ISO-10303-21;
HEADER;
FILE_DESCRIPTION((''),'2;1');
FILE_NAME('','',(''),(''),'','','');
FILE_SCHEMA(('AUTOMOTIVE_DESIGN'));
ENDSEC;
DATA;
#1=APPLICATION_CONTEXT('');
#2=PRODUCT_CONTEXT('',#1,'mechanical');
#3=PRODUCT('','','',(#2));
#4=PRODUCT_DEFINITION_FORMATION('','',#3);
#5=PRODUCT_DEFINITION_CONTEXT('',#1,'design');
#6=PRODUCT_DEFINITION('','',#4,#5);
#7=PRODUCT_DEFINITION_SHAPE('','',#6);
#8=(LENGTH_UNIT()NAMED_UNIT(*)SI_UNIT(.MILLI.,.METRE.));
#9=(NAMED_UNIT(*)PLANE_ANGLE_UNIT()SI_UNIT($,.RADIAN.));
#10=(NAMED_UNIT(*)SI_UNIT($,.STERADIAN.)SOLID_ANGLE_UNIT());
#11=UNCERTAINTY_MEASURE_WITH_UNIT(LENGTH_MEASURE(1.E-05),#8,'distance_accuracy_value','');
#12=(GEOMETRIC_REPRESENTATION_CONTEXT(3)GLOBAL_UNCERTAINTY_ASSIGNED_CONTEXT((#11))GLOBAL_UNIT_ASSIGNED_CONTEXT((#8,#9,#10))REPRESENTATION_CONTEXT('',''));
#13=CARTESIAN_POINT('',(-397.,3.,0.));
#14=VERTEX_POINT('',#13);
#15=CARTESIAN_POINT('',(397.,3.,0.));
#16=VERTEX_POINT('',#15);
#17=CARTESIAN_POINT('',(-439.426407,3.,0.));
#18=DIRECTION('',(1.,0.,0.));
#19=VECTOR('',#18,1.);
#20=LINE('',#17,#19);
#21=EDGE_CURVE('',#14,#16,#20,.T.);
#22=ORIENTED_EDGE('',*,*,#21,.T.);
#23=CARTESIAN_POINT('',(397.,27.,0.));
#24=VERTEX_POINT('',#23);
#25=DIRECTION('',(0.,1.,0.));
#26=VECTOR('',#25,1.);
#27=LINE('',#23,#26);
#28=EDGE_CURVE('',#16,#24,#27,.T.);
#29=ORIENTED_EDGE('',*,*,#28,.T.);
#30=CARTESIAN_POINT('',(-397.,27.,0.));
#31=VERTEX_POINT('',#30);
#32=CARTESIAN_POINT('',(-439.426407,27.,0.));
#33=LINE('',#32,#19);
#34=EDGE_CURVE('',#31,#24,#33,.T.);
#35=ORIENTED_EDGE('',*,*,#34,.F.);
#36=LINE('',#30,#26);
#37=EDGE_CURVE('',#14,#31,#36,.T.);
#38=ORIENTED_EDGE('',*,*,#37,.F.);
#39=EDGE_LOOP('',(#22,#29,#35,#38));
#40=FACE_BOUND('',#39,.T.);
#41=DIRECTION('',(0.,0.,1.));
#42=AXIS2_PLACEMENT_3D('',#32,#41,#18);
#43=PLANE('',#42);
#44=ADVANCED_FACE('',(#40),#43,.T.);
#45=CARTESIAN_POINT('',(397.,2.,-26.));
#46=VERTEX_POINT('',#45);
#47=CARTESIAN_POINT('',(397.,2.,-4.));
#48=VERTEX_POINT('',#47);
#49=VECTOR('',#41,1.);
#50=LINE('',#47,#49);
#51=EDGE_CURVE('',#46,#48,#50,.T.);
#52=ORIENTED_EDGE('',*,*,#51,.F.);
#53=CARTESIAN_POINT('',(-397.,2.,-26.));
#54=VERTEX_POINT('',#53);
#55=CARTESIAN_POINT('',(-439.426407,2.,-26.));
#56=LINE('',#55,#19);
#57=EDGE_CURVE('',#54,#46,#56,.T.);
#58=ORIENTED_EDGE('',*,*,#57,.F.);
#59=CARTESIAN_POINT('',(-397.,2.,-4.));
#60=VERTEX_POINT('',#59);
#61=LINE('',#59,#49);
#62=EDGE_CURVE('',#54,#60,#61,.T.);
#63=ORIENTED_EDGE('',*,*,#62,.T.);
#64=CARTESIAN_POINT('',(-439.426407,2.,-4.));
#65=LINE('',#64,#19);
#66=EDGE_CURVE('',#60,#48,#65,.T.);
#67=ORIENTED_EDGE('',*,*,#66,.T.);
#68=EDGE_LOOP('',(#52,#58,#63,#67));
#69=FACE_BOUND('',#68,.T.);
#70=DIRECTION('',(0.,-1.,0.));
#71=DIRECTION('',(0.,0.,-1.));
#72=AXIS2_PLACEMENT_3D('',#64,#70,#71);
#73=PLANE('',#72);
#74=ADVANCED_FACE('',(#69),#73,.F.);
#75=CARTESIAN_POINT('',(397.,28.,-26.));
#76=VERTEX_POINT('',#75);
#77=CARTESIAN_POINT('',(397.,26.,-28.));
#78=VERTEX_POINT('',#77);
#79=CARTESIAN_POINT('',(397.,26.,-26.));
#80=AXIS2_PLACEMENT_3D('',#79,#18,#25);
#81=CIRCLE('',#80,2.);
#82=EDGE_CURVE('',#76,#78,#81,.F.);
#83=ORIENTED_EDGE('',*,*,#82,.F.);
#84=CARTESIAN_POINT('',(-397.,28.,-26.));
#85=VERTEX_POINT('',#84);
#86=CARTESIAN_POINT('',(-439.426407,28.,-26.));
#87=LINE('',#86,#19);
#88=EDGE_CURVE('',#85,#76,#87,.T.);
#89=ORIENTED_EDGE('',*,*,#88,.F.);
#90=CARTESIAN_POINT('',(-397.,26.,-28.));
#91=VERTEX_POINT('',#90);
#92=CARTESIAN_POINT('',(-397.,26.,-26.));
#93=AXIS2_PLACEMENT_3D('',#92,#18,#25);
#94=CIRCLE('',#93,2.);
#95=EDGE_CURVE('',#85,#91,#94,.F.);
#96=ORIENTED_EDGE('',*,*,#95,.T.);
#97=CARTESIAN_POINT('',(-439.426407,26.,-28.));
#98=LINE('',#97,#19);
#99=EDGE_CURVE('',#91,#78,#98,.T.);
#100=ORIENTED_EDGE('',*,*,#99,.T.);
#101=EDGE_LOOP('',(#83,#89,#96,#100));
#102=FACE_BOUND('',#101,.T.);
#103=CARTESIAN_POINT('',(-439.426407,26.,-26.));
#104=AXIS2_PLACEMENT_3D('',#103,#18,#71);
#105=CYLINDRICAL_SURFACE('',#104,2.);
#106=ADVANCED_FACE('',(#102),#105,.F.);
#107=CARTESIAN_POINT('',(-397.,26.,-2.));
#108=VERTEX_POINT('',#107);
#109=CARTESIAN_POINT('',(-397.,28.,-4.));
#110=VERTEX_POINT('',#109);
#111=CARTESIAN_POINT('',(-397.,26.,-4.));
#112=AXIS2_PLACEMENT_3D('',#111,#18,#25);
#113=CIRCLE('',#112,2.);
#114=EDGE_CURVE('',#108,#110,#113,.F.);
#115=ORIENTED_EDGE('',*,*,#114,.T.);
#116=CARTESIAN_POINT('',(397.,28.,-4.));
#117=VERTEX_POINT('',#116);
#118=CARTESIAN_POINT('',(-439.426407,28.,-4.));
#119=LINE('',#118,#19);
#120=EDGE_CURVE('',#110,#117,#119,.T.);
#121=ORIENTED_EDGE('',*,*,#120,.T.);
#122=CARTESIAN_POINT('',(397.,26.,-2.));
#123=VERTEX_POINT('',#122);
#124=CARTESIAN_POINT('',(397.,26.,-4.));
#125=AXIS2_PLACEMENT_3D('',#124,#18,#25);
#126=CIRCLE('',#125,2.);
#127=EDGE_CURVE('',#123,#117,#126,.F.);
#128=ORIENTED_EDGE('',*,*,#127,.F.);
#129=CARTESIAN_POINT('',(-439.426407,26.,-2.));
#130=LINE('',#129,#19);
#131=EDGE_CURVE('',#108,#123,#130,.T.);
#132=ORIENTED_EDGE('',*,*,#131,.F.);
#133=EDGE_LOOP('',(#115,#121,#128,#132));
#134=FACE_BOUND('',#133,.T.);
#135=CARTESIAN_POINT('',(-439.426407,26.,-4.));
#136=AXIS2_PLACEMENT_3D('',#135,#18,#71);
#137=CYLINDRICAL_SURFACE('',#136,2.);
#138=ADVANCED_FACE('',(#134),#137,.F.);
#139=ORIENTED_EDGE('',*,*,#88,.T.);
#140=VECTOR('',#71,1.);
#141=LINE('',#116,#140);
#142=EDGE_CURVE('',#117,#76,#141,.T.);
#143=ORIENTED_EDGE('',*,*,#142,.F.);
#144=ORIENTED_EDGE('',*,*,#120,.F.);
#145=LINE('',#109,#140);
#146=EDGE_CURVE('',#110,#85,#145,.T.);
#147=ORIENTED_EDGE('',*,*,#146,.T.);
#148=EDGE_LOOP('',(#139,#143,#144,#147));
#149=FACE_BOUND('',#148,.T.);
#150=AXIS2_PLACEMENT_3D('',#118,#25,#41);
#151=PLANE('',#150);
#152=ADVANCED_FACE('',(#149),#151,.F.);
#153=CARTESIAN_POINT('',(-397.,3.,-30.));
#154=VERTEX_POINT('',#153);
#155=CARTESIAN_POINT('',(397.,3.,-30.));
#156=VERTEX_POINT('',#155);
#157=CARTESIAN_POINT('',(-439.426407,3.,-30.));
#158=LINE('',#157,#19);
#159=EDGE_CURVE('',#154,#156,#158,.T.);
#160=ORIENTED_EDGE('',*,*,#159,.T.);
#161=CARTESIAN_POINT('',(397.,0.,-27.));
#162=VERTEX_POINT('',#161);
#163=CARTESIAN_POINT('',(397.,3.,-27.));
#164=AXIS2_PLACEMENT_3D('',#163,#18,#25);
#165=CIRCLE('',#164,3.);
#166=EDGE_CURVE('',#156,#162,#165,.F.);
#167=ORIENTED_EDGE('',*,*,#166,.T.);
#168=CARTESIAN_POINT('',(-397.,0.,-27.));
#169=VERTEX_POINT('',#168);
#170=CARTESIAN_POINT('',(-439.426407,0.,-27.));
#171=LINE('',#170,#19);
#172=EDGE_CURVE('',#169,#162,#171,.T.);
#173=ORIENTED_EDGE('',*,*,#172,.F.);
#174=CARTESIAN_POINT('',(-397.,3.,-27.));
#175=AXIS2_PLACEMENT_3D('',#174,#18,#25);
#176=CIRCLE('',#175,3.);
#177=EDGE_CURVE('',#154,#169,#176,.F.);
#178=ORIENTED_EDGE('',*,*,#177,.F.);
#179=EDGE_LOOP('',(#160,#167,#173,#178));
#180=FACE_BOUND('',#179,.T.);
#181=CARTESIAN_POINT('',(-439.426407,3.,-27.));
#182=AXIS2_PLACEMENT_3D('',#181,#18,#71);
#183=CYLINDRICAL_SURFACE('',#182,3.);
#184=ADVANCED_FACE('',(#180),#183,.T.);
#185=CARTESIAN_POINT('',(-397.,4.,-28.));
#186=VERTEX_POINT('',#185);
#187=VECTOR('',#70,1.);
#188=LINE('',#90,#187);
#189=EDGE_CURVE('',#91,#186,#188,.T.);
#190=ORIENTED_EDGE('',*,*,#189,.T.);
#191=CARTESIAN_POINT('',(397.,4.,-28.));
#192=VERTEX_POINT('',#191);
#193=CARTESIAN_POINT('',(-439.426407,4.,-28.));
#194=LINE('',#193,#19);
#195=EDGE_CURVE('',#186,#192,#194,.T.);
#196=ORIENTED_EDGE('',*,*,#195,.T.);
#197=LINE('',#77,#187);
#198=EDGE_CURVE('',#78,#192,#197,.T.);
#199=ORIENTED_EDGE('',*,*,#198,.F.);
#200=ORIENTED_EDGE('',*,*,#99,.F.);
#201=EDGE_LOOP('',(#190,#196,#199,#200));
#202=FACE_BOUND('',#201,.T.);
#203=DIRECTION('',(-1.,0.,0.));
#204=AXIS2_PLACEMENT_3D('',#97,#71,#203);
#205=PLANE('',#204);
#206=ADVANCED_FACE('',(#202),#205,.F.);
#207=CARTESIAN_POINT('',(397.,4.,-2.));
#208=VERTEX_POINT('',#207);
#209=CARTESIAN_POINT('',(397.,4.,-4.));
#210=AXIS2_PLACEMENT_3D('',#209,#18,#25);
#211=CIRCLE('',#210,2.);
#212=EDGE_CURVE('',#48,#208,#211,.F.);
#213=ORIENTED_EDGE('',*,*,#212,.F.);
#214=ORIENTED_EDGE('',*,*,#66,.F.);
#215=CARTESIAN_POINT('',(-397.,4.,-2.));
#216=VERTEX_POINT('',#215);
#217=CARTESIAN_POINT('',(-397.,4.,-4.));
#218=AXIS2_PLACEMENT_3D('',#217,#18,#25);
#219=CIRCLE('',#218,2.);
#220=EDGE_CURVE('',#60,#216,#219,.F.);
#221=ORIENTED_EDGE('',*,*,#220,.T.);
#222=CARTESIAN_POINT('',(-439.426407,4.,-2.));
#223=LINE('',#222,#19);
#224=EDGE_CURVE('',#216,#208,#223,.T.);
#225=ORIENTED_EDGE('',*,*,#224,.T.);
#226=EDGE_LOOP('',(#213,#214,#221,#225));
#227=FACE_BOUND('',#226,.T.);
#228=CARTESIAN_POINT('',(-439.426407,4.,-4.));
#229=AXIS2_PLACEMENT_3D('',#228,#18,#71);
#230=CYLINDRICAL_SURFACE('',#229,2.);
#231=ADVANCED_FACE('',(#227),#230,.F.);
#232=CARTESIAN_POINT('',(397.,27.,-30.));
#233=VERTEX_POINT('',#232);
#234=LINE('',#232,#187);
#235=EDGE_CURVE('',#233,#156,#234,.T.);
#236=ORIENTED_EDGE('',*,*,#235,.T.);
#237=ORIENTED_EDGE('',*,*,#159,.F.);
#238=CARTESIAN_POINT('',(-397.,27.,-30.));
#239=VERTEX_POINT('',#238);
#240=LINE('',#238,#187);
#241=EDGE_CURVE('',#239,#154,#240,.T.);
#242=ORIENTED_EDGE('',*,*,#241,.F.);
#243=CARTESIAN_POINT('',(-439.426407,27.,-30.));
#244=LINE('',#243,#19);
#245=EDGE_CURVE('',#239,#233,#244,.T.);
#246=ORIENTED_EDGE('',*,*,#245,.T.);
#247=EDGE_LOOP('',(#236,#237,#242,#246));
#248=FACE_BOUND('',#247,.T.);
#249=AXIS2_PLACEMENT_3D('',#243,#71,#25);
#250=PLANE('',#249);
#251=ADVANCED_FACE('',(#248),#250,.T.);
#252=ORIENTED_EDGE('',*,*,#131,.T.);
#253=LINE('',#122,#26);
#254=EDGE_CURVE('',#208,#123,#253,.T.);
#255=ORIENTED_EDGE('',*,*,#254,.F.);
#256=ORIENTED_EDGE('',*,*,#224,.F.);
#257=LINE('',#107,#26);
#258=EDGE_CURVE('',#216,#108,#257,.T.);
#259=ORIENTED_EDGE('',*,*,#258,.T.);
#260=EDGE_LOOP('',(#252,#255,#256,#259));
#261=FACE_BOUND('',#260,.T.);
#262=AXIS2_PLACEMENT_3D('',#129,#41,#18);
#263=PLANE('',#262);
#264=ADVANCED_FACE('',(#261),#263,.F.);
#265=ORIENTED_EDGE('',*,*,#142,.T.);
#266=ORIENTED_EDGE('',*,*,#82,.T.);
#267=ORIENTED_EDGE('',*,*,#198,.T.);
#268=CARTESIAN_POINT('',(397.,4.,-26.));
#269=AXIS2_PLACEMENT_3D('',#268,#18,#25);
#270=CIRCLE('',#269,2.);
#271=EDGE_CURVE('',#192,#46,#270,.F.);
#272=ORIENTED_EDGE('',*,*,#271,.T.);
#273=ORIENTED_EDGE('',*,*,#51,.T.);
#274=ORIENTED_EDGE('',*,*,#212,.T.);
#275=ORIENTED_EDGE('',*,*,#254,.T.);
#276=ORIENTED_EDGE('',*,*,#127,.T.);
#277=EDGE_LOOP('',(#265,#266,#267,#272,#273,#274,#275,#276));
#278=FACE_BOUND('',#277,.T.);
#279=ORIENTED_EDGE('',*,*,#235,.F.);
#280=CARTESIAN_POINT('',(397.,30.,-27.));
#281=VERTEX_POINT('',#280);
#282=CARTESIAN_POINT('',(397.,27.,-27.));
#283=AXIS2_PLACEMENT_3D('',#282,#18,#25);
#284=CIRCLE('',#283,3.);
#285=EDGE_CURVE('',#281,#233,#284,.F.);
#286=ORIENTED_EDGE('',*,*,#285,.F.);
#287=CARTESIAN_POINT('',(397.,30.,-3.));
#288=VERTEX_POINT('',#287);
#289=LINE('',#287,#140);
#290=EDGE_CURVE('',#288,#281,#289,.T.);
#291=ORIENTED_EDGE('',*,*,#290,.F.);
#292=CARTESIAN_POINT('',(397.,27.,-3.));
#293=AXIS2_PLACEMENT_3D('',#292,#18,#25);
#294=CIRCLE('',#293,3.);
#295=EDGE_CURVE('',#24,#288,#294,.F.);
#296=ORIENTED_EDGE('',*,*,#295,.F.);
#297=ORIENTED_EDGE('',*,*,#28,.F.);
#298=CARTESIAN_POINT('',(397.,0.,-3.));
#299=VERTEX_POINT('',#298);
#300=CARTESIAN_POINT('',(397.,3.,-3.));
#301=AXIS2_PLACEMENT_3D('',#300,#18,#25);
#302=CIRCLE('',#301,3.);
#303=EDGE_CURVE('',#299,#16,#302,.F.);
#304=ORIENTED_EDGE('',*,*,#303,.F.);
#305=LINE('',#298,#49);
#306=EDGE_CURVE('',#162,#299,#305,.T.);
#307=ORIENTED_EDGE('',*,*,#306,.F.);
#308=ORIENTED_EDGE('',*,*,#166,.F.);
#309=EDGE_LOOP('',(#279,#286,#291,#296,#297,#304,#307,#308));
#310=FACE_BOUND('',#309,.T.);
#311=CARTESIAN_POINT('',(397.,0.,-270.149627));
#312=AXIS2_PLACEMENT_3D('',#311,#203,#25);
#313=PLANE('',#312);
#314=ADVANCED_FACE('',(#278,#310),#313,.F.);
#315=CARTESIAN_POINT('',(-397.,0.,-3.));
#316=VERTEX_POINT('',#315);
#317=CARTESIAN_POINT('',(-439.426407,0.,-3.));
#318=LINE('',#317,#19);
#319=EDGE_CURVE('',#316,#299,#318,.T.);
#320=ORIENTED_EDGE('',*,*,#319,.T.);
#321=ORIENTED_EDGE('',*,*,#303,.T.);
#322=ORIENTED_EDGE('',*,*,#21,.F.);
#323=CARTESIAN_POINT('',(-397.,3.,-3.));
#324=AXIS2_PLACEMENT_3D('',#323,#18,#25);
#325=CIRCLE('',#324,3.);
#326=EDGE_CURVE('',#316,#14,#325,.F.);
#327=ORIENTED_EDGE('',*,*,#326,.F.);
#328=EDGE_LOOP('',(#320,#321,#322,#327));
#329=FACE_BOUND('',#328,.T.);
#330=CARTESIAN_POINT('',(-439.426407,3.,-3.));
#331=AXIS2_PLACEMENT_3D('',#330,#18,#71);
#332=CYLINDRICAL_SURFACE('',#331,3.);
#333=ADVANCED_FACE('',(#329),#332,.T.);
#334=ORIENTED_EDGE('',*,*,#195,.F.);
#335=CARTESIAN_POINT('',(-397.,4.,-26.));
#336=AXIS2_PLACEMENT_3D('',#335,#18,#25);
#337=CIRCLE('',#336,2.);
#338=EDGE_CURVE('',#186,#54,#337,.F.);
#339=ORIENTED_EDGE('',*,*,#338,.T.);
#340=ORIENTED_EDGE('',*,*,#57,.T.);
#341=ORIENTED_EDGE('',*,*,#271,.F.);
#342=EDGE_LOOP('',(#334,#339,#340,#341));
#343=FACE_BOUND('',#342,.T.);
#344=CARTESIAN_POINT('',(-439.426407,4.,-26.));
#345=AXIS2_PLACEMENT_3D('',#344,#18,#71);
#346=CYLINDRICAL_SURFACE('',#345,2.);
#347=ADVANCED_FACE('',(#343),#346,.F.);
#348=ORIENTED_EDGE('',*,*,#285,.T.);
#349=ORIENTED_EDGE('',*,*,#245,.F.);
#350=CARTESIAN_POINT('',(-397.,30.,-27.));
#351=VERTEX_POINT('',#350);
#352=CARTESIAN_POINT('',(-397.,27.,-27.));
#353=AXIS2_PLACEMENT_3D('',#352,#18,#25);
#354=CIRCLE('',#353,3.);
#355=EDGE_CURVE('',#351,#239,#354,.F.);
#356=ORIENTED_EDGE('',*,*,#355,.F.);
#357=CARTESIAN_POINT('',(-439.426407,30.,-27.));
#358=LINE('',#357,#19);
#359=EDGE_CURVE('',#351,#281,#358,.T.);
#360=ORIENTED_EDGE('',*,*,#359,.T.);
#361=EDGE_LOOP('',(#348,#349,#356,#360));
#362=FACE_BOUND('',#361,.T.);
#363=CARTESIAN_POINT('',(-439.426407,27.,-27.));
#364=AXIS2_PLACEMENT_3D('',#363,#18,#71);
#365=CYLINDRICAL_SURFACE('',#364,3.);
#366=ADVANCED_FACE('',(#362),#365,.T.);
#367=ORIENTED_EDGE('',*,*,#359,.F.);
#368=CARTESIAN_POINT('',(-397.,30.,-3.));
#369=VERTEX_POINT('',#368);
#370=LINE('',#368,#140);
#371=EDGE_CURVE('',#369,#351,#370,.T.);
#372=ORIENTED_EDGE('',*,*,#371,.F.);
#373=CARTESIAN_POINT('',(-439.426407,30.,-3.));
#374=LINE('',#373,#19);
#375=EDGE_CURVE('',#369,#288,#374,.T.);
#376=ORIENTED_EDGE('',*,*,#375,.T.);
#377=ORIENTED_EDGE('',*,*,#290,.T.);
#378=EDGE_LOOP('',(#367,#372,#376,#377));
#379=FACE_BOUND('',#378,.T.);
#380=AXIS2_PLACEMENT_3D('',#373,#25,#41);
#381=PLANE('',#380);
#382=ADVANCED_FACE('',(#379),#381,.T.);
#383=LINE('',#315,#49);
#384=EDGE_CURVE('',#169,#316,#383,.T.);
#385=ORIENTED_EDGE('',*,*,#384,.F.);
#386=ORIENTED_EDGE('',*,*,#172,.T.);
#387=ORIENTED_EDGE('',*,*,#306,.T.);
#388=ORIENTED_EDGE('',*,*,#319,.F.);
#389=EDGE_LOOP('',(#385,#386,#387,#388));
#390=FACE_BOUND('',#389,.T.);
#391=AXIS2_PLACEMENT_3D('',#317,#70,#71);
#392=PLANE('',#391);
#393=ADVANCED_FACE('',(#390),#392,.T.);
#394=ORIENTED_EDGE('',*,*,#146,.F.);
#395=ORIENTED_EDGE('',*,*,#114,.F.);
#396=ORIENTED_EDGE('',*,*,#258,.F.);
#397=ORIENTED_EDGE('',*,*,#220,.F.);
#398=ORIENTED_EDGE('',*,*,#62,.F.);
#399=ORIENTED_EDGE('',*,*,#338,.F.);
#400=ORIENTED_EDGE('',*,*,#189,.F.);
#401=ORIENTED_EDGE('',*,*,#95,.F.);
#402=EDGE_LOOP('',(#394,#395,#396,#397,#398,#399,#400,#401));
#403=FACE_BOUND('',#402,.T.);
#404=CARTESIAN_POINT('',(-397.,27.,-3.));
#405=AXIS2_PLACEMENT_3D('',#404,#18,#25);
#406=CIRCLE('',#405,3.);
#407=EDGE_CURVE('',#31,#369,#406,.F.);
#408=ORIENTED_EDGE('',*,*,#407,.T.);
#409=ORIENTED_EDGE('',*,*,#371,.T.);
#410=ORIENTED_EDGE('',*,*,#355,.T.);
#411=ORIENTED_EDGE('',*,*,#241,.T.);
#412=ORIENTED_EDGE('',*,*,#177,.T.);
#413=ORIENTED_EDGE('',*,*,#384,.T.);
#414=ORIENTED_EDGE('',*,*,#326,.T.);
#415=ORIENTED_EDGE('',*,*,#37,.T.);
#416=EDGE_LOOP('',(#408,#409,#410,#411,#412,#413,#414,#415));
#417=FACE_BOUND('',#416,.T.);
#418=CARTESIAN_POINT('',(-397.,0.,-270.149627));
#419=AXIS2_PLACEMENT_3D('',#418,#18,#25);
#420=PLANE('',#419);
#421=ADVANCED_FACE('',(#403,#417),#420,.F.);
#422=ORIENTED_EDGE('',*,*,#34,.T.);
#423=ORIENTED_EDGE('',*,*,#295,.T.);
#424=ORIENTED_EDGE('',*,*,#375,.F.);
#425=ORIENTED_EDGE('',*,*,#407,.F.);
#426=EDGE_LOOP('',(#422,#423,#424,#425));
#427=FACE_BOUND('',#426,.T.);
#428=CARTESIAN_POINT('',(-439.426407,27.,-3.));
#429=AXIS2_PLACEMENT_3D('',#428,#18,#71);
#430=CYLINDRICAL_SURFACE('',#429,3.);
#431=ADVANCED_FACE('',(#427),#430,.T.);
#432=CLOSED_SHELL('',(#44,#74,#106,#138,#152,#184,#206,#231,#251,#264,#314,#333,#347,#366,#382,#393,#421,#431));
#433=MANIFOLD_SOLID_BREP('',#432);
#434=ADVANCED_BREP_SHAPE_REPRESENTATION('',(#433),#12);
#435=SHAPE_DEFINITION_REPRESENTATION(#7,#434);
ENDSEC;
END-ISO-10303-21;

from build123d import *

# Parameters (mm, degrees)
EXTRUDE_1_DEPTH = 397


with BuildPart() as part:
    # Эскиз1 → Бобышка-Вытянуть1 (new body)
    with BuildSketch(Plane(origin=(0, 0, 0), x_dir=(0, 0, -1), z_dir=(1, 0, 0))):
        with BuildLine():
            Line((3, 30), (27, 30))
            ThreePointArc((27, 30), (29.121320344, 29.121320344), (30, 27))
            Line((30, 27), (30, 3))
            ThreePointArc((30, 3), (29.121320344, 0.878679656), (27, 0))
            Line((27, 0), (3, 0))
            ThreePointArc((3, 0), (0.878679656, 0.878679656), (0, 3))
            Line((0, 3), (0, 27))
            ThreePointArc((0, 27), (0.878679656, 29.121320344), (3, 30))
        make_face()
        with BuildLine():
            Line((4, 28), (26, 28))
            ThreePointArc((26, 28), (27.414213562, 27.414213562), (28, 26))
            Line((28, 26), (28, 4))
            ThreePointArc((28, 4), (27.414213562, 2.585786438), (26, 2))
            Line((26, 2), (4, 2))
            ThreePointArc((4, 2), (2.585786438, 2.585786438), (2, 4))
            Line((2, 4), (2, 26))
            ThreePointArc((2, 26), (2.585786438, 27.414213562), (4, 28))
        make_face(mode=Mode.SUBTRACT)
    extrude(amount=-EXTRUDE_1_DEPTH)

    # Зеркальное отражение2: part across plane


with BuildPart() as part_1:
    add(part.part)
    add(part.part.mirror(Plane(origin=(0, 3, -3), x_dir=(0, 0, 1), z_dir=(1, 0, 0))))


solid = part_1.part
